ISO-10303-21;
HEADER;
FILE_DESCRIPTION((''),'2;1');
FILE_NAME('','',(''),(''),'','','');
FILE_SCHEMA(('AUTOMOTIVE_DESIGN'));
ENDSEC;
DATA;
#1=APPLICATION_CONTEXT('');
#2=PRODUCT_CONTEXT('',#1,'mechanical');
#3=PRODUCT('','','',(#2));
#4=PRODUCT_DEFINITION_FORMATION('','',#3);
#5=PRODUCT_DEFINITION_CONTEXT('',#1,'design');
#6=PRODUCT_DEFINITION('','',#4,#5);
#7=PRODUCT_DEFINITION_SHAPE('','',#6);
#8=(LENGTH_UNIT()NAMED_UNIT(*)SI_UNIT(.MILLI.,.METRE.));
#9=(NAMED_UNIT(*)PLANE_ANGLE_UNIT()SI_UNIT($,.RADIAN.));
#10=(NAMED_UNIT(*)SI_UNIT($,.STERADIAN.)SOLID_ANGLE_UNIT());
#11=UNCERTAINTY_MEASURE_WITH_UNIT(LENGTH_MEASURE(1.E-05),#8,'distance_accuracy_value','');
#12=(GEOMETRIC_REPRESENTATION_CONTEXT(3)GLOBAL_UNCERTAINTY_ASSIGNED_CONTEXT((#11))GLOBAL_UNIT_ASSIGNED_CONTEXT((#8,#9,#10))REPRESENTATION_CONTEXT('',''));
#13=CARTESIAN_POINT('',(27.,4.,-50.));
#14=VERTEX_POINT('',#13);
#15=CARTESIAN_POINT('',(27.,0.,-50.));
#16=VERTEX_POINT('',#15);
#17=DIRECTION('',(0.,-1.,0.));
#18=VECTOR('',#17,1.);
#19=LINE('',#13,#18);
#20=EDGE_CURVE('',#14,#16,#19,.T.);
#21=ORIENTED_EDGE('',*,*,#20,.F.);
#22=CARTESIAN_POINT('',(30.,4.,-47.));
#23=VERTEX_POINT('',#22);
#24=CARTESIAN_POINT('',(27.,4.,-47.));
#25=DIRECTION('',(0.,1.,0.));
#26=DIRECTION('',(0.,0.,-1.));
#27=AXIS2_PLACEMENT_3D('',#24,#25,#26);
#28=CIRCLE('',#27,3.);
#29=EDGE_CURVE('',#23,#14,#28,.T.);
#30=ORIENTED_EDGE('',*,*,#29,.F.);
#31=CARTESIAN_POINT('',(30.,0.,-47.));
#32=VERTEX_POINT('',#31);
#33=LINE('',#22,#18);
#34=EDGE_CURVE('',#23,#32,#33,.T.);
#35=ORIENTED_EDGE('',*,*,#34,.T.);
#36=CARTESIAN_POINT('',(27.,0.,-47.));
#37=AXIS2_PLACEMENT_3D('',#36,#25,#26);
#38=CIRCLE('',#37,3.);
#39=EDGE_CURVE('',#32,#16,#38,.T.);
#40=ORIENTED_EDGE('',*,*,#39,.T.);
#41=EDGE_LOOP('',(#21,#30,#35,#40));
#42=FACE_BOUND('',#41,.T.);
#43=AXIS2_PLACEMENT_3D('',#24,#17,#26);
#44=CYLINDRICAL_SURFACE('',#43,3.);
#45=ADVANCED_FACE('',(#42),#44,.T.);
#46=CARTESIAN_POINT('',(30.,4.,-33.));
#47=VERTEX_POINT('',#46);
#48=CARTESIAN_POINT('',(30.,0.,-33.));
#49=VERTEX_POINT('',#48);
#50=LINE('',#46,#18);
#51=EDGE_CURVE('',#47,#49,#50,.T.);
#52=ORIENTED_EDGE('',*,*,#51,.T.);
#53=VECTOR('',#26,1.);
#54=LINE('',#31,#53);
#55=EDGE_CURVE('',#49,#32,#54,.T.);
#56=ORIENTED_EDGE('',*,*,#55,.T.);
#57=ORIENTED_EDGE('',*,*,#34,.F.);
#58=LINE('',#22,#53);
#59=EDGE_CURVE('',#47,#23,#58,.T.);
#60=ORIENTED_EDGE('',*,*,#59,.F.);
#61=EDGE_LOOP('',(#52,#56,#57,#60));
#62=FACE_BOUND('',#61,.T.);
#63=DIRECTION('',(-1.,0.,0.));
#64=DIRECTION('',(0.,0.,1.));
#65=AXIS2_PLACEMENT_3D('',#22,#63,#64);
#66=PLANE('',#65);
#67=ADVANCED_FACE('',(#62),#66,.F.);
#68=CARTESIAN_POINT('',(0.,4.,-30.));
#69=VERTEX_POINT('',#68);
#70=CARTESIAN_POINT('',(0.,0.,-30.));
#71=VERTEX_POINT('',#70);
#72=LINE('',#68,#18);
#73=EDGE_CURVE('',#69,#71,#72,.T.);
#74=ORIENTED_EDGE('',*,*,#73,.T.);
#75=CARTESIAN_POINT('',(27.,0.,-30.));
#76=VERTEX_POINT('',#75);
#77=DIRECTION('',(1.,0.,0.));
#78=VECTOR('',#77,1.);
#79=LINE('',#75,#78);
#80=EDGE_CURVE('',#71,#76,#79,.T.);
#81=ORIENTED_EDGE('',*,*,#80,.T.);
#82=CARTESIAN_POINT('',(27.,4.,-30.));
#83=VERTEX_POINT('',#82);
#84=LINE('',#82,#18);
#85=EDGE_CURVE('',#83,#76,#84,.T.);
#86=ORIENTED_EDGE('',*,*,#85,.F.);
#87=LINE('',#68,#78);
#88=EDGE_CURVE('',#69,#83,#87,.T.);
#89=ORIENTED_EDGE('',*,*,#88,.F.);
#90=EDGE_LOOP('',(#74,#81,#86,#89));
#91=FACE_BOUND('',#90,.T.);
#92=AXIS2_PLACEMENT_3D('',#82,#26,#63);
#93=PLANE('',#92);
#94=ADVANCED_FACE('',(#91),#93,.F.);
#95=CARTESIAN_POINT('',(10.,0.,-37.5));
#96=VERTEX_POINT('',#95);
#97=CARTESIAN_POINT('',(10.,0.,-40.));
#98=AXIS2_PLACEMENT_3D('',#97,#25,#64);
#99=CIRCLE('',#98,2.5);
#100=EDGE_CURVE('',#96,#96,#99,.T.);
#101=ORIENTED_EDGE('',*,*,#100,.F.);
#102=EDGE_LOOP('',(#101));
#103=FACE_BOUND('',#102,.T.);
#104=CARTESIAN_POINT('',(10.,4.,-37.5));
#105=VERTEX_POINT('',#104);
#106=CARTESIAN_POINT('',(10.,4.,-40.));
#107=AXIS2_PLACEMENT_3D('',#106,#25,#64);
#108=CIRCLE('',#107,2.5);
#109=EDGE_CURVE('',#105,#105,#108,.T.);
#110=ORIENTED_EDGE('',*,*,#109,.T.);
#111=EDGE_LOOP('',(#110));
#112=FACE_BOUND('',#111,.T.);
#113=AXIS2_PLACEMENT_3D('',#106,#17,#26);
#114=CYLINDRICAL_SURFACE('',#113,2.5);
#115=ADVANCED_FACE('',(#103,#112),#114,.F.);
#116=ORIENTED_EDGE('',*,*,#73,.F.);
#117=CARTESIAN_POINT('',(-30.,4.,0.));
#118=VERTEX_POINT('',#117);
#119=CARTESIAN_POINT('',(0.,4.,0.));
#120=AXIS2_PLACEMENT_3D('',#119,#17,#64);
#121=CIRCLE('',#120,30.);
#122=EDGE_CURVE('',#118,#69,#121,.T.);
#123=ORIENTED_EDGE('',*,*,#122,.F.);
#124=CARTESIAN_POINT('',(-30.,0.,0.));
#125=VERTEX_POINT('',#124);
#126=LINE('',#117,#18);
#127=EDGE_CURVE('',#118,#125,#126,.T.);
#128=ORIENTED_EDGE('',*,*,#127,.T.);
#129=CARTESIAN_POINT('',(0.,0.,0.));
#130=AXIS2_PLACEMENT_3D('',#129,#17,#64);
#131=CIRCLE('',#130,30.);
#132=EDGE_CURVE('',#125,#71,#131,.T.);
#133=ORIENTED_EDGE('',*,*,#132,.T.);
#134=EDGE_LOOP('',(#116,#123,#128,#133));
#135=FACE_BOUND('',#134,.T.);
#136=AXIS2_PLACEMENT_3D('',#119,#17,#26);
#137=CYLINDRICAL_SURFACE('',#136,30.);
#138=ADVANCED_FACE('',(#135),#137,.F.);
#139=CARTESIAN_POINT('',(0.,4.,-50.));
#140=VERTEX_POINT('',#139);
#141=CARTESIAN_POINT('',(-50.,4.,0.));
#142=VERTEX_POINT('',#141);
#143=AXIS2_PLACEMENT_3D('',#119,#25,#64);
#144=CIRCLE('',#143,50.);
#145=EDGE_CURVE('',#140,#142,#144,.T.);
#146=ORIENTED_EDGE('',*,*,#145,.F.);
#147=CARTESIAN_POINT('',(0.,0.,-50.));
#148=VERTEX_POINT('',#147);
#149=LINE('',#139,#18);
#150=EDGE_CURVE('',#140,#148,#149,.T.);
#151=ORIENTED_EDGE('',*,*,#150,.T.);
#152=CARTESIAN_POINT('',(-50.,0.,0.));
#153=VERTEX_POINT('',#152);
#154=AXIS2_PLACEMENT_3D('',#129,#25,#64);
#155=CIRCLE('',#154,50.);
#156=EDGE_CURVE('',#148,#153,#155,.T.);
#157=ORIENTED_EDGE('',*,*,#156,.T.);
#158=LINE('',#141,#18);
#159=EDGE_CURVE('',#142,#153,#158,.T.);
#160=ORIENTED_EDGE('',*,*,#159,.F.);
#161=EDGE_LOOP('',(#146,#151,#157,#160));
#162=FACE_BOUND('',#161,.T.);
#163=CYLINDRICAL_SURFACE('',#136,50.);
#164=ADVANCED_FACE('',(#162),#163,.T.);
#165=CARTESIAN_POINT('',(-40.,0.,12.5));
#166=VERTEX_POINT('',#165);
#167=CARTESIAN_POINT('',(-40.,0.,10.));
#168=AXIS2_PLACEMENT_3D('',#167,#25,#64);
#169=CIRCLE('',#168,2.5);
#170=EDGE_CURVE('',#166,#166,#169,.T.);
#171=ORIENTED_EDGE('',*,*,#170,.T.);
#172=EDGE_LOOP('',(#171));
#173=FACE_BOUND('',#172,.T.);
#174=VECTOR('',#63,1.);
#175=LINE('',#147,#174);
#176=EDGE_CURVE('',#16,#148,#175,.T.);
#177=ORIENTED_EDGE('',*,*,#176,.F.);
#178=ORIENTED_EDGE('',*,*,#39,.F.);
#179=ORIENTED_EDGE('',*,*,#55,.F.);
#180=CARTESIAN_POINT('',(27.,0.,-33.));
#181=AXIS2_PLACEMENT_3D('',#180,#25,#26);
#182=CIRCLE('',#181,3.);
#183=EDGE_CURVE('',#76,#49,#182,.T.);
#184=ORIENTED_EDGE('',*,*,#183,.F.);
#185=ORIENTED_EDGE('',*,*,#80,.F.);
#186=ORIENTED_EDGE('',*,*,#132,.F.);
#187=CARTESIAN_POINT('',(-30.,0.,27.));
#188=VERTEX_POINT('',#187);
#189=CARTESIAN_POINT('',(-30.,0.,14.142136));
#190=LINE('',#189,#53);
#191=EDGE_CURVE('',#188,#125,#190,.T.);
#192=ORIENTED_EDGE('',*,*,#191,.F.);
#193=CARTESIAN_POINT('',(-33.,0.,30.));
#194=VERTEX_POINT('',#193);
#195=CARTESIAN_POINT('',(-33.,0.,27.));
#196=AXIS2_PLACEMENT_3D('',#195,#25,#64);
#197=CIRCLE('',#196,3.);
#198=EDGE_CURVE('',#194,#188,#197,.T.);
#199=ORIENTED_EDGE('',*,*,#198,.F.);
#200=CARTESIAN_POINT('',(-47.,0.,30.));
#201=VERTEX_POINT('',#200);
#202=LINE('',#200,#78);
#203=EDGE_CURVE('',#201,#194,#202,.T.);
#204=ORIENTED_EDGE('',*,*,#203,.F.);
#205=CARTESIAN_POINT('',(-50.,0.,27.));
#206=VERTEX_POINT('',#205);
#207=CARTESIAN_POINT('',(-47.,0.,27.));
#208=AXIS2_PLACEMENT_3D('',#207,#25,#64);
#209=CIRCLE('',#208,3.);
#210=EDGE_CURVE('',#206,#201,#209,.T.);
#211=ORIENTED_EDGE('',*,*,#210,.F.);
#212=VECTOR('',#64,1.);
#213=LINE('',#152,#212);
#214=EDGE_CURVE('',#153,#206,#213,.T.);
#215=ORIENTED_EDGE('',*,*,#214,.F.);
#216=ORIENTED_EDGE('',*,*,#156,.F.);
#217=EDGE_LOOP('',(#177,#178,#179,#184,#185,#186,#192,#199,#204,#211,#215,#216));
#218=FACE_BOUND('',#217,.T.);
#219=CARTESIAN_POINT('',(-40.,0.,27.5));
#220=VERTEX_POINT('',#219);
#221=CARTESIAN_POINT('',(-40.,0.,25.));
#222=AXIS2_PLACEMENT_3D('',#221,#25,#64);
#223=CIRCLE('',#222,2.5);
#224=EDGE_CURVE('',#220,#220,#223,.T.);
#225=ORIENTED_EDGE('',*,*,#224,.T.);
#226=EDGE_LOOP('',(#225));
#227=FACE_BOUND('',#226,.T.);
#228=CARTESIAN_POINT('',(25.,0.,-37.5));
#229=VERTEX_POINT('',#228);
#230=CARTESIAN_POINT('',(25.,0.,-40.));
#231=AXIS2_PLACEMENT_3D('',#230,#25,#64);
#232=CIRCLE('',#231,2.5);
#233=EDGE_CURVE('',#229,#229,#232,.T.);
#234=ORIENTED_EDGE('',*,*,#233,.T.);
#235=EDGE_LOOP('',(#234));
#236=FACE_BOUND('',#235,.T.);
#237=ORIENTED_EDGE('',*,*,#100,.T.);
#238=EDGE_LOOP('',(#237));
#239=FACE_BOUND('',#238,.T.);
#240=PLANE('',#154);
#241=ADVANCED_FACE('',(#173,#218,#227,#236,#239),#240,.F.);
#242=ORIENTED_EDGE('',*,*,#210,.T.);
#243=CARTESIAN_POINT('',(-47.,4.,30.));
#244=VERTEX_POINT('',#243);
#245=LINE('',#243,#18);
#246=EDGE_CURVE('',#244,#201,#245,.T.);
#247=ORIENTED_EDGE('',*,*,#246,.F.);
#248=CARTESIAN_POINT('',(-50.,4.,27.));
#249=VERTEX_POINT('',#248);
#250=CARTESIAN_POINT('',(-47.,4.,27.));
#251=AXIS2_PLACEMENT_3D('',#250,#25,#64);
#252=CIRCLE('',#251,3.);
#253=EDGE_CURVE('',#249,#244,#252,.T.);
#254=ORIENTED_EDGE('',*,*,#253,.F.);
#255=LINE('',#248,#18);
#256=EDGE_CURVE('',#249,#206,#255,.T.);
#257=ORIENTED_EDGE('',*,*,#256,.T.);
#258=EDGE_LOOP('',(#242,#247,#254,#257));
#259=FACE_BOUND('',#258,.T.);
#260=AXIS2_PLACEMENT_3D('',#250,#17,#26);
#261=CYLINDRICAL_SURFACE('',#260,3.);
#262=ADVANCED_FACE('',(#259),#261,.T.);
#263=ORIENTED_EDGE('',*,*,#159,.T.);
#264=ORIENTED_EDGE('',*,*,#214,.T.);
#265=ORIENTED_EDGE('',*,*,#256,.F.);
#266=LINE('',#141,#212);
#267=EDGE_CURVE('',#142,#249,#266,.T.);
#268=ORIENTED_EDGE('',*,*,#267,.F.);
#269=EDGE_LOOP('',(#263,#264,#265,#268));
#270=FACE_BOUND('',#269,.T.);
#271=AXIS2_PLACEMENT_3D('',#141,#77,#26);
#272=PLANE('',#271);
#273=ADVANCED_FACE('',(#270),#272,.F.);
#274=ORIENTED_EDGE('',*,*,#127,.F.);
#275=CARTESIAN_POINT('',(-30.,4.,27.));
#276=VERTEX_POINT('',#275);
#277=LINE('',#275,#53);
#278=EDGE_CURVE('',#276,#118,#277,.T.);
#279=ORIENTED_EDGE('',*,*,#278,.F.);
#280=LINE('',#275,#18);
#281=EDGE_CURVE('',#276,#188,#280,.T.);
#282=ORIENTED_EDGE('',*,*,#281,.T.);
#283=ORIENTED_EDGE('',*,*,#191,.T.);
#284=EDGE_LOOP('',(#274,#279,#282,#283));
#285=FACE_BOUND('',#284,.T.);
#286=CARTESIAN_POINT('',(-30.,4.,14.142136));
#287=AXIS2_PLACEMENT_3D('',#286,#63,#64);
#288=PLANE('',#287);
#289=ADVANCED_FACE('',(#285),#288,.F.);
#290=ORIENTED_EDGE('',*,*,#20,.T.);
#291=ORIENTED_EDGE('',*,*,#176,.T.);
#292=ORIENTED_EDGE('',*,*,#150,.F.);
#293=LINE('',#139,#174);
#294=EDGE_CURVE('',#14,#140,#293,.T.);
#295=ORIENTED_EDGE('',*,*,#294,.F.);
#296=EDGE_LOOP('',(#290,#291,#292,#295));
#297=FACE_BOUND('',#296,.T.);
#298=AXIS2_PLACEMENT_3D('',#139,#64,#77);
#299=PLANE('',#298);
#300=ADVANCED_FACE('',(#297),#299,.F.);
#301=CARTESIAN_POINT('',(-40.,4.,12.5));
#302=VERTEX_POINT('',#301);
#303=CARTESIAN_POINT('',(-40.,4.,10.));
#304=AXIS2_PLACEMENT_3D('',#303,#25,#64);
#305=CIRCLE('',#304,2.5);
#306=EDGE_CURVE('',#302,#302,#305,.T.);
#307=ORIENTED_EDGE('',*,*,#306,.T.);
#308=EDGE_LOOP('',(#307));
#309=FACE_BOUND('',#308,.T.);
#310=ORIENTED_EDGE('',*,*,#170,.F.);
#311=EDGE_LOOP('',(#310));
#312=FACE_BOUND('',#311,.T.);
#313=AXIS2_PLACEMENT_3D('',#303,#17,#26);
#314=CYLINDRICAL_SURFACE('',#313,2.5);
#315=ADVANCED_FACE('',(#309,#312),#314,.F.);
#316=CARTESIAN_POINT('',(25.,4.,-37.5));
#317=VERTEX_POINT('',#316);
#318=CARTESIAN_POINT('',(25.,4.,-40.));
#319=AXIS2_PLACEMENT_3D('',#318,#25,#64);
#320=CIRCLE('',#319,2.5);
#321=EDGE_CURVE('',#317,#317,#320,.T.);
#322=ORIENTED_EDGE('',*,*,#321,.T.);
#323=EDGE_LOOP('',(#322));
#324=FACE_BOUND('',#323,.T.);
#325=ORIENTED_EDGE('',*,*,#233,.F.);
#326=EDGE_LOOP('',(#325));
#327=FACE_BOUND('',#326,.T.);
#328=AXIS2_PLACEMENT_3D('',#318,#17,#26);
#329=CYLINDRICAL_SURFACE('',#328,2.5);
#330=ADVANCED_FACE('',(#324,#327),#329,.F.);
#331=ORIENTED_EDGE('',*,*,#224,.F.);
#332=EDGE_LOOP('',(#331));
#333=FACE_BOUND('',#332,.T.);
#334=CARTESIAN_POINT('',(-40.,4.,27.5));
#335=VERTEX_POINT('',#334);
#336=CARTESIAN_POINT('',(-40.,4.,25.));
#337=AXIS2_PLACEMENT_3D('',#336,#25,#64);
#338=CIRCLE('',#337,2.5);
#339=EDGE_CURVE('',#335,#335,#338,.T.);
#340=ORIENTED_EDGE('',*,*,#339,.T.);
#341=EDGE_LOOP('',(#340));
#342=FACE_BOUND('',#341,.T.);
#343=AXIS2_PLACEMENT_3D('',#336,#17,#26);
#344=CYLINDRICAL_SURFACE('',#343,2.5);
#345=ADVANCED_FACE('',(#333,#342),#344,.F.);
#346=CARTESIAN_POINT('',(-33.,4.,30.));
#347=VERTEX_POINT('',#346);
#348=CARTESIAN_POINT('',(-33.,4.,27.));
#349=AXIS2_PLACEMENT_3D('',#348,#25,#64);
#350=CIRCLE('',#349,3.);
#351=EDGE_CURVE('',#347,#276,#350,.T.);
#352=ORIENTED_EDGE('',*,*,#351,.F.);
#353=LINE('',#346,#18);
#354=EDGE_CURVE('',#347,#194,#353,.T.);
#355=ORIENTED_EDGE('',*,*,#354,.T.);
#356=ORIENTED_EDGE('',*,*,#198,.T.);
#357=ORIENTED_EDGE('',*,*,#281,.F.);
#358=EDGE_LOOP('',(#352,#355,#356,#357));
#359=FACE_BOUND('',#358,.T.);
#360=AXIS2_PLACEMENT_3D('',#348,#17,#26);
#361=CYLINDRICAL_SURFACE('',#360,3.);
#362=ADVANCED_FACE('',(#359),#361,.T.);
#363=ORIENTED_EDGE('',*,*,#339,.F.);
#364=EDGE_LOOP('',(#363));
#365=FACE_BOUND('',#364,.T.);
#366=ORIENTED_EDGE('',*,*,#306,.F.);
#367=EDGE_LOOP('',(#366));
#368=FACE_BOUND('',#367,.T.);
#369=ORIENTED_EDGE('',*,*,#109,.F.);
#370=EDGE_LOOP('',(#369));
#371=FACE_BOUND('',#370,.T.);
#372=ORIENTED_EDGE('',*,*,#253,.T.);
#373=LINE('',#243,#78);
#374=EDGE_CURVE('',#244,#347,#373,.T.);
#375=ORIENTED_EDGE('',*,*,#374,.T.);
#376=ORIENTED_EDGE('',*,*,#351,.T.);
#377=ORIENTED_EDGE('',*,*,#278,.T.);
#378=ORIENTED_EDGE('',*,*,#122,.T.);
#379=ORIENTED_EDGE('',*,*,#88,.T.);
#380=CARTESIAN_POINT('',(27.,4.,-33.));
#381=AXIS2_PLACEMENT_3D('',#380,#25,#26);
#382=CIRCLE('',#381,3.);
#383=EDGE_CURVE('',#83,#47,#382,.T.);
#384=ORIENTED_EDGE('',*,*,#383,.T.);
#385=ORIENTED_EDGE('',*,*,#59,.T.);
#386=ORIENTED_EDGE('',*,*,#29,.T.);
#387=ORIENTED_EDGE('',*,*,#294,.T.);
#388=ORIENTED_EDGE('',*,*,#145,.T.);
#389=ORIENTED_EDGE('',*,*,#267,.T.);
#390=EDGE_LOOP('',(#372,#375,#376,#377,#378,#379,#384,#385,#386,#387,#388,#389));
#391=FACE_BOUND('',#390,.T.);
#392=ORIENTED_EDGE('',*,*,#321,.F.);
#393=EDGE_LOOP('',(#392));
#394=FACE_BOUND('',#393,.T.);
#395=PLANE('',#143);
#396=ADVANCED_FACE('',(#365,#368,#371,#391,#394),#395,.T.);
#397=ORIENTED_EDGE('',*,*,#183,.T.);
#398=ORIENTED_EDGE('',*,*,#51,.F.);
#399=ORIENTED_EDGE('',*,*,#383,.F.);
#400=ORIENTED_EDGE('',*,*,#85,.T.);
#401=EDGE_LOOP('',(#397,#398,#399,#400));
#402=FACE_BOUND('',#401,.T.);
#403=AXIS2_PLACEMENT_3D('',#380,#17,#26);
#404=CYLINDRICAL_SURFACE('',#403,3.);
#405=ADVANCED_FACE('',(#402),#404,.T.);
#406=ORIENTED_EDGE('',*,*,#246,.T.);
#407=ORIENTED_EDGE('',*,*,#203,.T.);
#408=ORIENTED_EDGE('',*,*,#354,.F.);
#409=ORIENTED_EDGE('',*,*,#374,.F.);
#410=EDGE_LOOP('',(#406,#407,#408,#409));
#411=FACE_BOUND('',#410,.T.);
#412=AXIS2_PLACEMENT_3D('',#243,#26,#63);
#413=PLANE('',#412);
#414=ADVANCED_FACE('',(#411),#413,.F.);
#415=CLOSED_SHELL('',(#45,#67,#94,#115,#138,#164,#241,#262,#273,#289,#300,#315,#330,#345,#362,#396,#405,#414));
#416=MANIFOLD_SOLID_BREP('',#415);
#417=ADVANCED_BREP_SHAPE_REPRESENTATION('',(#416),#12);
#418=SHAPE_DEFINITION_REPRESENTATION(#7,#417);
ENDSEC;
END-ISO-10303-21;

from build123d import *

# Parameters (mm, degrees)
SKETCH1_R           = 2.5
BOSS_EXTRUDE1_DEPTH = 4


with BuildPart() as part:
    # Sketch1 → Boss-Extrude1 (new body)
    with BuildSketch(Plane(origin=(0, 0, 0), x_dir=(1, 0, 0), z_dir=(0, 1, 0))):
        with BuildLine():
            Line((-50, 0), (-50, -27))
            ThreePointArc((-50, -27), (-49.121320344, -29.121320344), (-47, -30))
            Line((-47, -30), (-33, -30))
            ThreePointArc((-33, -30), (-30.878679656, -29.121320344), (-30, -27))
            Line((-30, -27), (-30, -14.142135624))
            Line((-30, -14.142135624), (-30, 0))
            ThreePointArc((-30, 0), (-21.213203436, 21.213203436), (0, 30))
            Line((0, 30), (14.142135624, 30))
            Line((14.142135624, 30), (27, 30))
            ThreePointArc((27, 30), (29.121320344, 30.878679656), (30, 33))
            Line((30, 33), (30, 47))
            ThreePointArc((30, 47), (29.121320344, 49.121320344), (27, 50))
            Line((27, 50), (0, 50))
            ThreePointArc((0, 50), (-35.355339059, 35.355339059), (-50, 0))
        make_face()
        with Locations(Location((-40, -10, 0), (0, 0, 270))):
            Circle(SKETCH1_R, mode=Mode.SUBTRACT)
        with Locations(Location((-40, -25, 0), (0, 0, 270))):
            Circle(SKETCH1_R, mode=Mode.SUBTRACT)
        with Locations(Location((10, 40, 0), (0, 0, 270))):
            Circle(SKETCH1_R, mode=Mode.SUBTRACT)
        with Locations(Location((25, 40, 0), (0, 0, 270))):
            Circle(SKETCH1_R, mode=Mode.SUBTRACT)
    extrude(amount=BOSS_EXTRUDE1_DEPTH)


solid = part.part
